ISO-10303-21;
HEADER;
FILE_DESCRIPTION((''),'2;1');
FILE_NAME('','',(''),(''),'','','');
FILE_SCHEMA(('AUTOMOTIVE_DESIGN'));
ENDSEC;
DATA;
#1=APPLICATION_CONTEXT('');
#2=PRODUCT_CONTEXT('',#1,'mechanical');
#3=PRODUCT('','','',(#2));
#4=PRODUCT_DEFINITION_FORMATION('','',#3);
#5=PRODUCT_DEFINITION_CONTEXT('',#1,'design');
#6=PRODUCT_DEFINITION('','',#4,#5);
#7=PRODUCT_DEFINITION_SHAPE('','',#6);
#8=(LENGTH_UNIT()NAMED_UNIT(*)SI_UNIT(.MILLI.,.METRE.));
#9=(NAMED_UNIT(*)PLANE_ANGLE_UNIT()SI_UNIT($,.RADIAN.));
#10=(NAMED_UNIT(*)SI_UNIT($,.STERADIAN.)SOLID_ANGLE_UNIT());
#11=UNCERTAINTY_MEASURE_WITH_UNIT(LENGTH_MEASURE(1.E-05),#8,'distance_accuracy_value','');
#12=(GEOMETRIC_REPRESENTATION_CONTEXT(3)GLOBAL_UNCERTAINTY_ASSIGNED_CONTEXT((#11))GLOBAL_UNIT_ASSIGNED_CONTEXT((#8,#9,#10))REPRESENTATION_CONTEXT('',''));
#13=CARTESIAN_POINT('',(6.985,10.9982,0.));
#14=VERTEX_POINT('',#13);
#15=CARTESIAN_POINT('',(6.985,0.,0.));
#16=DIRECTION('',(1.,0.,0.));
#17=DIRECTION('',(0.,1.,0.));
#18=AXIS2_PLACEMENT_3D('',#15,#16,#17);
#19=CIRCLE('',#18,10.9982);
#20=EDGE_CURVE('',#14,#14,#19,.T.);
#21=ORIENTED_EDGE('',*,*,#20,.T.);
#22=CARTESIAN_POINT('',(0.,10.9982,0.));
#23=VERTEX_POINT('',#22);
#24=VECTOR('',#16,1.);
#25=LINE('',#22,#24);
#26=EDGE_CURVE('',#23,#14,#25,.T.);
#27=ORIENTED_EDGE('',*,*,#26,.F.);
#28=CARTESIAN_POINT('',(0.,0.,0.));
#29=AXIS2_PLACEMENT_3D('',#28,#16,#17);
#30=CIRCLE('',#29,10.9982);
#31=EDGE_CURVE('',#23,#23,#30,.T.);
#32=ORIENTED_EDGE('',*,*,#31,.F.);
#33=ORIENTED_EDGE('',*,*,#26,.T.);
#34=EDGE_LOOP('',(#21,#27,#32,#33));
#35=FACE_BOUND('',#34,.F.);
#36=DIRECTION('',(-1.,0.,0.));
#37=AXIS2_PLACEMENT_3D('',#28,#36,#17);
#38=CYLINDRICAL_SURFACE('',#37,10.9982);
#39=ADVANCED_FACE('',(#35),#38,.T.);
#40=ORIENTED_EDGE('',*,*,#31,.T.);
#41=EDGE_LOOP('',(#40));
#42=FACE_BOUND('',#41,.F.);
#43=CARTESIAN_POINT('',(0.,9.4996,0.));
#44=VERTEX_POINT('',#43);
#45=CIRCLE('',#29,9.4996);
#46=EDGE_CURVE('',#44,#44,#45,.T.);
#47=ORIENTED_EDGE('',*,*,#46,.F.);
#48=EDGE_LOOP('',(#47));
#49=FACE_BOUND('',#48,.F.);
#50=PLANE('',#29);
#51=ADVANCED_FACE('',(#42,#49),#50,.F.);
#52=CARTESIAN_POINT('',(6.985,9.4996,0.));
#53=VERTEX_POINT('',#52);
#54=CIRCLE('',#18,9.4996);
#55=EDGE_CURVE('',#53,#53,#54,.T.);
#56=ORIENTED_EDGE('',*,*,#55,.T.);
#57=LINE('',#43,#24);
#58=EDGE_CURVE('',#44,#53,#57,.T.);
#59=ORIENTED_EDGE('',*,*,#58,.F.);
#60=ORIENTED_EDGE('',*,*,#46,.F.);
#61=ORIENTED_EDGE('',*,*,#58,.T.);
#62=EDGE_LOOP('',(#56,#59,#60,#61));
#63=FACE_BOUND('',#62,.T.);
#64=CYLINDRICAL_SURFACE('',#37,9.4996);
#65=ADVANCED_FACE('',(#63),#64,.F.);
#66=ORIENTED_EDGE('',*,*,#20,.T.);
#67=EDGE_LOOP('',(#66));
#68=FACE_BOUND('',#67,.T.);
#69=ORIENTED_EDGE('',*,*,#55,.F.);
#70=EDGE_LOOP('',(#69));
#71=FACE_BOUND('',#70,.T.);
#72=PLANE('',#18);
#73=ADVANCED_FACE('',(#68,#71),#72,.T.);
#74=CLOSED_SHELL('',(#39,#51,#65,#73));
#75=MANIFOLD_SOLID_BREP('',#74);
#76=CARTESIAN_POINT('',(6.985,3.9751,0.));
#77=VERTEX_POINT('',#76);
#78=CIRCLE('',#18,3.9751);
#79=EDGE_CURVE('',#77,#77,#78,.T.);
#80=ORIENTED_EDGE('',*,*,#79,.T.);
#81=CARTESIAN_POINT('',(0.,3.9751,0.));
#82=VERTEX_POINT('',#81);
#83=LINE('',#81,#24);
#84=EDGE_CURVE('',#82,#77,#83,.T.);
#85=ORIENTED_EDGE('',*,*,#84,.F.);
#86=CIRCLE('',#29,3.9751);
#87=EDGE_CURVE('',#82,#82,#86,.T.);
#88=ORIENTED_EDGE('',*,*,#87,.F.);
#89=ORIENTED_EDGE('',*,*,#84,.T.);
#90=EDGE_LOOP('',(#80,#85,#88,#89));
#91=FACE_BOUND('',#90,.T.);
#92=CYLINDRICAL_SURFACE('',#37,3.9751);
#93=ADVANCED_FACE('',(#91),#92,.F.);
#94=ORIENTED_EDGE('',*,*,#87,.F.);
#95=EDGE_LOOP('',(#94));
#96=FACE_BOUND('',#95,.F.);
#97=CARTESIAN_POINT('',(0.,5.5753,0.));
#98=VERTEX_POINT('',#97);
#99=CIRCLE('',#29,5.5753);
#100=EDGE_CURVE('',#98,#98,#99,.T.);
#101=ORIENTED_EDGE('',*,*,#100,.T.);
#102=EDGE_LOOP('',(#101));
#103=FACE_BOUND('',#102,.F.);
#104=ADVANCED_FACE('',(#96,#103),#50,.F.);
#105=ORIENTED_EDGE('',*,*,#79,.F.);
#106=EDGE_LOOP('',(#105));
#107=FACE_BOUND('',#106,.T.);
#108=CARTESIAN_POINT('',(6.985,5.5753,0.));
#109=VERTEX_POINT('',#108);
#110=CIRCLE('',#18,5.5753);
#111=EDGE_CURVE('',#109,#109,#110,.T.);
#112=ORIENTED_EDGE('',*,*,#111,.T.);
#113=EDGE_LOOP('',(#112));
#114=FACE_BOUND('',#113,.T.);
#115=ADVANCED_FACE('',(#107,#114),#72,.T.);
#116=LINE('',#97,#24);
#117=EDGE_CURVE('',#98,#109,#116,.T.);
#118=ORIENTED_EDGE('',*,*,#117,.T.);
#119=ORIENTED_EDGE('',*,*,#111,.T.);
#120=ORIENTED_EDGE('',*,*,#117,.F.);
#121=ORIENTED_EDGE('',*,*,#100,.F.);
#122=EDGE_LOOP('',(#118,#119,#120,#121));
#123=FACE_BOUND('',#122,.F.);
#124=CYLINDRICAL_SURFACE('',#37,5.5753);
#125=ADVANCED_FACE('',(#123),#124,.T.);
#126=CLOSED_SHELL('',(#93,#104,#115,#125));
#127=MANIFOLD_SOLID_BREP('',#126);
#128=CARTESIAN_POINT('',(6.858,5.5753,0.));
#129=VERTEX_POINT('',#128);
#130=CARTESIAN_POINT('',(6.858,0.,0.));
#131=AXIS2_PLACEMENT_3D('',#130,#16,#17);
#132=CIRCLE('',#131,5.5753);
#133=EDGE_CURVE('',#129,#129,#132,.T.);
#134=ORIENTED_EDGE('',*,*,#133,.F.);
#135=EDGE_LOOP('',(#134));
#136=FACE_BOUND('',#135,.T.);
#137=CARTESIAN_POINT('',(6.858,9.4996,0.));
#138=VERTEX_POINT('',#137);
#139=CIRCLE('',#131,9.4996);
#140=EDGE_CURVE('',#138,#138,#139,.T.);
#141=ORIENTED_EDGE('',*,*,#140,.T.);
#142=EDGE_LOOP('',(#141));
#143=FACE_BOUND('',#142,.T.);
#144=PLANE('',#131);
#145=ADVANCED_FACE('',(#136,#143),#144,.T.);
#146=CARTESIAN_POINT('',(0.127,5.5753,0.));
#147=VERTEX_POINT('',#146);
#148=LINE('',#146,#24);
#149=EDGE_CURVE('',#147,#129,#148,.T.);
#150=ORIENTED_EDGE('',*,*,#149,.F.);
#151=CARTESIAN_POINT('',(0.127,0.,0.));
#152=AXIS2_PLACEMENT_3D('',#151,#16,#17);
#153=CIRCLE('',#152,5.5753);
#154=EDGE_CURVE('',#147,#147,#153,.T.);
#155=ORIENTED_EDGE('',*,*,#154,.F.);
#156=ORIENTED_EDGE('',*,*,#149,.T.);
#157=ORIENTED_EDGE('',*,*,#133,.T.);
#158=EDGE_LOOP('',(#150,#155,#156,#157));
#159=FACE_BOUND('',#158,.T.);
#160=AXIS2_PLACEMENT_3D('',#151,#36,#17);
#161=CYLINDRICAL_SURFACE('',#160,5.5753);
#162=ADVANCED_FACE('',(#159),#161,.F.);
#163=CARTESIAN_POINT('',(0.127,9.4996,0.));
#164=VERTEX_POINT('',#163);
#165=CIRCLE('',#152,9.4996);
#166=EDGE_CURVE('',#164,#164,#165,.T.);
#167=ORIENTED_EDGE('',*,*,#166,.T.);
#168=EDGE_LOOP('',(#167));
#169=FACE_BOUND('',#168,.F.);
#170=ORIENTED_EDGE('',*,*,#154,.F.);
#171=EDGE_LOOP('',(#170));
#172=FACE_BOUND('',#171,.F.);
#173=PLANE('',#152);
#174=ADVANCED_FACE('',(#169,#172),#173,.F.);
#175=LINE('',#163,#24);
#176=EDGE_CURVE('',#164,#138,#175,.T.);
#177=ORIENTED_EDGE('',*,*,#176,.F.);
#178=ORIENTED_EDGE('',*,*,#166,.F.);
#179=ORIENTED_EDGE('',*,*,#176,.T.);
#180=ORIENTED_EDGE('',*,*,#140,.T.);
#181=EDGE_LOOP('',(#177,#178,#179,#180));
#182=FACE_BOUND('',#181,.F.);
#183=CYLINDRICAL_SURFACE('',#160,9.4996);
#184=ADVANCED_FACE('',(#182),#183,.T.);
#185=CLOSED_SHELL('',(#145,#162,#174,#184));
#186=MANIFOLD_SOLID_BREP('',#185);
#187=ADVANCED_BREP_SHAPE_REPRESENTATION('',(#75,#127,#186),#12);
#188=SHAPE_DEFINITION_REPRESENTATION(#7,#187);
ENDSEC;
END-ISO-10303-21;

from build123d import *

# Parameters (mm, degrees)
F0_R     = 5.5753
F0_R_2   = 3.9751
F1_DEPTH = 6.985
F0_R_3   = 10.9982
F0_R_4   = 9.4996
F2_START = 0.127
F2_DEPTH = 6.731


with BuildPart() as f1:
    # F0 (on Right) → F1 (new body)
    with BuildSketch(Plane.YZ):
        Circle(F0_R)
        Circle(F0_R_2, mode=Mode.SUBTRACT)
    extrude(amount=F1_DEPTH)


with BuildPart() as f1b:
    # F0 (on Right) → F1, piece 2 (new body)
    with BuildSketch(Plane.YZ):
        Circle(F0_R_3)
        Circle(F0_R_4, mode=Mode.SUBTRACT)
    extrude(amount=F1_DEPTH)


with BuildPart() as f2:
    # F0 (on Right) → F2 (new body)
    with BuildSketch(Plane.YZ.offset(F2_START)):
        Circle(F0_R_4)
        Circle(F0_R, mode=Mode.SUBTRACT)
    extrude(amount=F2_DEPTH)


solid = Compound([f1.part, f1b.part, f2.part])
